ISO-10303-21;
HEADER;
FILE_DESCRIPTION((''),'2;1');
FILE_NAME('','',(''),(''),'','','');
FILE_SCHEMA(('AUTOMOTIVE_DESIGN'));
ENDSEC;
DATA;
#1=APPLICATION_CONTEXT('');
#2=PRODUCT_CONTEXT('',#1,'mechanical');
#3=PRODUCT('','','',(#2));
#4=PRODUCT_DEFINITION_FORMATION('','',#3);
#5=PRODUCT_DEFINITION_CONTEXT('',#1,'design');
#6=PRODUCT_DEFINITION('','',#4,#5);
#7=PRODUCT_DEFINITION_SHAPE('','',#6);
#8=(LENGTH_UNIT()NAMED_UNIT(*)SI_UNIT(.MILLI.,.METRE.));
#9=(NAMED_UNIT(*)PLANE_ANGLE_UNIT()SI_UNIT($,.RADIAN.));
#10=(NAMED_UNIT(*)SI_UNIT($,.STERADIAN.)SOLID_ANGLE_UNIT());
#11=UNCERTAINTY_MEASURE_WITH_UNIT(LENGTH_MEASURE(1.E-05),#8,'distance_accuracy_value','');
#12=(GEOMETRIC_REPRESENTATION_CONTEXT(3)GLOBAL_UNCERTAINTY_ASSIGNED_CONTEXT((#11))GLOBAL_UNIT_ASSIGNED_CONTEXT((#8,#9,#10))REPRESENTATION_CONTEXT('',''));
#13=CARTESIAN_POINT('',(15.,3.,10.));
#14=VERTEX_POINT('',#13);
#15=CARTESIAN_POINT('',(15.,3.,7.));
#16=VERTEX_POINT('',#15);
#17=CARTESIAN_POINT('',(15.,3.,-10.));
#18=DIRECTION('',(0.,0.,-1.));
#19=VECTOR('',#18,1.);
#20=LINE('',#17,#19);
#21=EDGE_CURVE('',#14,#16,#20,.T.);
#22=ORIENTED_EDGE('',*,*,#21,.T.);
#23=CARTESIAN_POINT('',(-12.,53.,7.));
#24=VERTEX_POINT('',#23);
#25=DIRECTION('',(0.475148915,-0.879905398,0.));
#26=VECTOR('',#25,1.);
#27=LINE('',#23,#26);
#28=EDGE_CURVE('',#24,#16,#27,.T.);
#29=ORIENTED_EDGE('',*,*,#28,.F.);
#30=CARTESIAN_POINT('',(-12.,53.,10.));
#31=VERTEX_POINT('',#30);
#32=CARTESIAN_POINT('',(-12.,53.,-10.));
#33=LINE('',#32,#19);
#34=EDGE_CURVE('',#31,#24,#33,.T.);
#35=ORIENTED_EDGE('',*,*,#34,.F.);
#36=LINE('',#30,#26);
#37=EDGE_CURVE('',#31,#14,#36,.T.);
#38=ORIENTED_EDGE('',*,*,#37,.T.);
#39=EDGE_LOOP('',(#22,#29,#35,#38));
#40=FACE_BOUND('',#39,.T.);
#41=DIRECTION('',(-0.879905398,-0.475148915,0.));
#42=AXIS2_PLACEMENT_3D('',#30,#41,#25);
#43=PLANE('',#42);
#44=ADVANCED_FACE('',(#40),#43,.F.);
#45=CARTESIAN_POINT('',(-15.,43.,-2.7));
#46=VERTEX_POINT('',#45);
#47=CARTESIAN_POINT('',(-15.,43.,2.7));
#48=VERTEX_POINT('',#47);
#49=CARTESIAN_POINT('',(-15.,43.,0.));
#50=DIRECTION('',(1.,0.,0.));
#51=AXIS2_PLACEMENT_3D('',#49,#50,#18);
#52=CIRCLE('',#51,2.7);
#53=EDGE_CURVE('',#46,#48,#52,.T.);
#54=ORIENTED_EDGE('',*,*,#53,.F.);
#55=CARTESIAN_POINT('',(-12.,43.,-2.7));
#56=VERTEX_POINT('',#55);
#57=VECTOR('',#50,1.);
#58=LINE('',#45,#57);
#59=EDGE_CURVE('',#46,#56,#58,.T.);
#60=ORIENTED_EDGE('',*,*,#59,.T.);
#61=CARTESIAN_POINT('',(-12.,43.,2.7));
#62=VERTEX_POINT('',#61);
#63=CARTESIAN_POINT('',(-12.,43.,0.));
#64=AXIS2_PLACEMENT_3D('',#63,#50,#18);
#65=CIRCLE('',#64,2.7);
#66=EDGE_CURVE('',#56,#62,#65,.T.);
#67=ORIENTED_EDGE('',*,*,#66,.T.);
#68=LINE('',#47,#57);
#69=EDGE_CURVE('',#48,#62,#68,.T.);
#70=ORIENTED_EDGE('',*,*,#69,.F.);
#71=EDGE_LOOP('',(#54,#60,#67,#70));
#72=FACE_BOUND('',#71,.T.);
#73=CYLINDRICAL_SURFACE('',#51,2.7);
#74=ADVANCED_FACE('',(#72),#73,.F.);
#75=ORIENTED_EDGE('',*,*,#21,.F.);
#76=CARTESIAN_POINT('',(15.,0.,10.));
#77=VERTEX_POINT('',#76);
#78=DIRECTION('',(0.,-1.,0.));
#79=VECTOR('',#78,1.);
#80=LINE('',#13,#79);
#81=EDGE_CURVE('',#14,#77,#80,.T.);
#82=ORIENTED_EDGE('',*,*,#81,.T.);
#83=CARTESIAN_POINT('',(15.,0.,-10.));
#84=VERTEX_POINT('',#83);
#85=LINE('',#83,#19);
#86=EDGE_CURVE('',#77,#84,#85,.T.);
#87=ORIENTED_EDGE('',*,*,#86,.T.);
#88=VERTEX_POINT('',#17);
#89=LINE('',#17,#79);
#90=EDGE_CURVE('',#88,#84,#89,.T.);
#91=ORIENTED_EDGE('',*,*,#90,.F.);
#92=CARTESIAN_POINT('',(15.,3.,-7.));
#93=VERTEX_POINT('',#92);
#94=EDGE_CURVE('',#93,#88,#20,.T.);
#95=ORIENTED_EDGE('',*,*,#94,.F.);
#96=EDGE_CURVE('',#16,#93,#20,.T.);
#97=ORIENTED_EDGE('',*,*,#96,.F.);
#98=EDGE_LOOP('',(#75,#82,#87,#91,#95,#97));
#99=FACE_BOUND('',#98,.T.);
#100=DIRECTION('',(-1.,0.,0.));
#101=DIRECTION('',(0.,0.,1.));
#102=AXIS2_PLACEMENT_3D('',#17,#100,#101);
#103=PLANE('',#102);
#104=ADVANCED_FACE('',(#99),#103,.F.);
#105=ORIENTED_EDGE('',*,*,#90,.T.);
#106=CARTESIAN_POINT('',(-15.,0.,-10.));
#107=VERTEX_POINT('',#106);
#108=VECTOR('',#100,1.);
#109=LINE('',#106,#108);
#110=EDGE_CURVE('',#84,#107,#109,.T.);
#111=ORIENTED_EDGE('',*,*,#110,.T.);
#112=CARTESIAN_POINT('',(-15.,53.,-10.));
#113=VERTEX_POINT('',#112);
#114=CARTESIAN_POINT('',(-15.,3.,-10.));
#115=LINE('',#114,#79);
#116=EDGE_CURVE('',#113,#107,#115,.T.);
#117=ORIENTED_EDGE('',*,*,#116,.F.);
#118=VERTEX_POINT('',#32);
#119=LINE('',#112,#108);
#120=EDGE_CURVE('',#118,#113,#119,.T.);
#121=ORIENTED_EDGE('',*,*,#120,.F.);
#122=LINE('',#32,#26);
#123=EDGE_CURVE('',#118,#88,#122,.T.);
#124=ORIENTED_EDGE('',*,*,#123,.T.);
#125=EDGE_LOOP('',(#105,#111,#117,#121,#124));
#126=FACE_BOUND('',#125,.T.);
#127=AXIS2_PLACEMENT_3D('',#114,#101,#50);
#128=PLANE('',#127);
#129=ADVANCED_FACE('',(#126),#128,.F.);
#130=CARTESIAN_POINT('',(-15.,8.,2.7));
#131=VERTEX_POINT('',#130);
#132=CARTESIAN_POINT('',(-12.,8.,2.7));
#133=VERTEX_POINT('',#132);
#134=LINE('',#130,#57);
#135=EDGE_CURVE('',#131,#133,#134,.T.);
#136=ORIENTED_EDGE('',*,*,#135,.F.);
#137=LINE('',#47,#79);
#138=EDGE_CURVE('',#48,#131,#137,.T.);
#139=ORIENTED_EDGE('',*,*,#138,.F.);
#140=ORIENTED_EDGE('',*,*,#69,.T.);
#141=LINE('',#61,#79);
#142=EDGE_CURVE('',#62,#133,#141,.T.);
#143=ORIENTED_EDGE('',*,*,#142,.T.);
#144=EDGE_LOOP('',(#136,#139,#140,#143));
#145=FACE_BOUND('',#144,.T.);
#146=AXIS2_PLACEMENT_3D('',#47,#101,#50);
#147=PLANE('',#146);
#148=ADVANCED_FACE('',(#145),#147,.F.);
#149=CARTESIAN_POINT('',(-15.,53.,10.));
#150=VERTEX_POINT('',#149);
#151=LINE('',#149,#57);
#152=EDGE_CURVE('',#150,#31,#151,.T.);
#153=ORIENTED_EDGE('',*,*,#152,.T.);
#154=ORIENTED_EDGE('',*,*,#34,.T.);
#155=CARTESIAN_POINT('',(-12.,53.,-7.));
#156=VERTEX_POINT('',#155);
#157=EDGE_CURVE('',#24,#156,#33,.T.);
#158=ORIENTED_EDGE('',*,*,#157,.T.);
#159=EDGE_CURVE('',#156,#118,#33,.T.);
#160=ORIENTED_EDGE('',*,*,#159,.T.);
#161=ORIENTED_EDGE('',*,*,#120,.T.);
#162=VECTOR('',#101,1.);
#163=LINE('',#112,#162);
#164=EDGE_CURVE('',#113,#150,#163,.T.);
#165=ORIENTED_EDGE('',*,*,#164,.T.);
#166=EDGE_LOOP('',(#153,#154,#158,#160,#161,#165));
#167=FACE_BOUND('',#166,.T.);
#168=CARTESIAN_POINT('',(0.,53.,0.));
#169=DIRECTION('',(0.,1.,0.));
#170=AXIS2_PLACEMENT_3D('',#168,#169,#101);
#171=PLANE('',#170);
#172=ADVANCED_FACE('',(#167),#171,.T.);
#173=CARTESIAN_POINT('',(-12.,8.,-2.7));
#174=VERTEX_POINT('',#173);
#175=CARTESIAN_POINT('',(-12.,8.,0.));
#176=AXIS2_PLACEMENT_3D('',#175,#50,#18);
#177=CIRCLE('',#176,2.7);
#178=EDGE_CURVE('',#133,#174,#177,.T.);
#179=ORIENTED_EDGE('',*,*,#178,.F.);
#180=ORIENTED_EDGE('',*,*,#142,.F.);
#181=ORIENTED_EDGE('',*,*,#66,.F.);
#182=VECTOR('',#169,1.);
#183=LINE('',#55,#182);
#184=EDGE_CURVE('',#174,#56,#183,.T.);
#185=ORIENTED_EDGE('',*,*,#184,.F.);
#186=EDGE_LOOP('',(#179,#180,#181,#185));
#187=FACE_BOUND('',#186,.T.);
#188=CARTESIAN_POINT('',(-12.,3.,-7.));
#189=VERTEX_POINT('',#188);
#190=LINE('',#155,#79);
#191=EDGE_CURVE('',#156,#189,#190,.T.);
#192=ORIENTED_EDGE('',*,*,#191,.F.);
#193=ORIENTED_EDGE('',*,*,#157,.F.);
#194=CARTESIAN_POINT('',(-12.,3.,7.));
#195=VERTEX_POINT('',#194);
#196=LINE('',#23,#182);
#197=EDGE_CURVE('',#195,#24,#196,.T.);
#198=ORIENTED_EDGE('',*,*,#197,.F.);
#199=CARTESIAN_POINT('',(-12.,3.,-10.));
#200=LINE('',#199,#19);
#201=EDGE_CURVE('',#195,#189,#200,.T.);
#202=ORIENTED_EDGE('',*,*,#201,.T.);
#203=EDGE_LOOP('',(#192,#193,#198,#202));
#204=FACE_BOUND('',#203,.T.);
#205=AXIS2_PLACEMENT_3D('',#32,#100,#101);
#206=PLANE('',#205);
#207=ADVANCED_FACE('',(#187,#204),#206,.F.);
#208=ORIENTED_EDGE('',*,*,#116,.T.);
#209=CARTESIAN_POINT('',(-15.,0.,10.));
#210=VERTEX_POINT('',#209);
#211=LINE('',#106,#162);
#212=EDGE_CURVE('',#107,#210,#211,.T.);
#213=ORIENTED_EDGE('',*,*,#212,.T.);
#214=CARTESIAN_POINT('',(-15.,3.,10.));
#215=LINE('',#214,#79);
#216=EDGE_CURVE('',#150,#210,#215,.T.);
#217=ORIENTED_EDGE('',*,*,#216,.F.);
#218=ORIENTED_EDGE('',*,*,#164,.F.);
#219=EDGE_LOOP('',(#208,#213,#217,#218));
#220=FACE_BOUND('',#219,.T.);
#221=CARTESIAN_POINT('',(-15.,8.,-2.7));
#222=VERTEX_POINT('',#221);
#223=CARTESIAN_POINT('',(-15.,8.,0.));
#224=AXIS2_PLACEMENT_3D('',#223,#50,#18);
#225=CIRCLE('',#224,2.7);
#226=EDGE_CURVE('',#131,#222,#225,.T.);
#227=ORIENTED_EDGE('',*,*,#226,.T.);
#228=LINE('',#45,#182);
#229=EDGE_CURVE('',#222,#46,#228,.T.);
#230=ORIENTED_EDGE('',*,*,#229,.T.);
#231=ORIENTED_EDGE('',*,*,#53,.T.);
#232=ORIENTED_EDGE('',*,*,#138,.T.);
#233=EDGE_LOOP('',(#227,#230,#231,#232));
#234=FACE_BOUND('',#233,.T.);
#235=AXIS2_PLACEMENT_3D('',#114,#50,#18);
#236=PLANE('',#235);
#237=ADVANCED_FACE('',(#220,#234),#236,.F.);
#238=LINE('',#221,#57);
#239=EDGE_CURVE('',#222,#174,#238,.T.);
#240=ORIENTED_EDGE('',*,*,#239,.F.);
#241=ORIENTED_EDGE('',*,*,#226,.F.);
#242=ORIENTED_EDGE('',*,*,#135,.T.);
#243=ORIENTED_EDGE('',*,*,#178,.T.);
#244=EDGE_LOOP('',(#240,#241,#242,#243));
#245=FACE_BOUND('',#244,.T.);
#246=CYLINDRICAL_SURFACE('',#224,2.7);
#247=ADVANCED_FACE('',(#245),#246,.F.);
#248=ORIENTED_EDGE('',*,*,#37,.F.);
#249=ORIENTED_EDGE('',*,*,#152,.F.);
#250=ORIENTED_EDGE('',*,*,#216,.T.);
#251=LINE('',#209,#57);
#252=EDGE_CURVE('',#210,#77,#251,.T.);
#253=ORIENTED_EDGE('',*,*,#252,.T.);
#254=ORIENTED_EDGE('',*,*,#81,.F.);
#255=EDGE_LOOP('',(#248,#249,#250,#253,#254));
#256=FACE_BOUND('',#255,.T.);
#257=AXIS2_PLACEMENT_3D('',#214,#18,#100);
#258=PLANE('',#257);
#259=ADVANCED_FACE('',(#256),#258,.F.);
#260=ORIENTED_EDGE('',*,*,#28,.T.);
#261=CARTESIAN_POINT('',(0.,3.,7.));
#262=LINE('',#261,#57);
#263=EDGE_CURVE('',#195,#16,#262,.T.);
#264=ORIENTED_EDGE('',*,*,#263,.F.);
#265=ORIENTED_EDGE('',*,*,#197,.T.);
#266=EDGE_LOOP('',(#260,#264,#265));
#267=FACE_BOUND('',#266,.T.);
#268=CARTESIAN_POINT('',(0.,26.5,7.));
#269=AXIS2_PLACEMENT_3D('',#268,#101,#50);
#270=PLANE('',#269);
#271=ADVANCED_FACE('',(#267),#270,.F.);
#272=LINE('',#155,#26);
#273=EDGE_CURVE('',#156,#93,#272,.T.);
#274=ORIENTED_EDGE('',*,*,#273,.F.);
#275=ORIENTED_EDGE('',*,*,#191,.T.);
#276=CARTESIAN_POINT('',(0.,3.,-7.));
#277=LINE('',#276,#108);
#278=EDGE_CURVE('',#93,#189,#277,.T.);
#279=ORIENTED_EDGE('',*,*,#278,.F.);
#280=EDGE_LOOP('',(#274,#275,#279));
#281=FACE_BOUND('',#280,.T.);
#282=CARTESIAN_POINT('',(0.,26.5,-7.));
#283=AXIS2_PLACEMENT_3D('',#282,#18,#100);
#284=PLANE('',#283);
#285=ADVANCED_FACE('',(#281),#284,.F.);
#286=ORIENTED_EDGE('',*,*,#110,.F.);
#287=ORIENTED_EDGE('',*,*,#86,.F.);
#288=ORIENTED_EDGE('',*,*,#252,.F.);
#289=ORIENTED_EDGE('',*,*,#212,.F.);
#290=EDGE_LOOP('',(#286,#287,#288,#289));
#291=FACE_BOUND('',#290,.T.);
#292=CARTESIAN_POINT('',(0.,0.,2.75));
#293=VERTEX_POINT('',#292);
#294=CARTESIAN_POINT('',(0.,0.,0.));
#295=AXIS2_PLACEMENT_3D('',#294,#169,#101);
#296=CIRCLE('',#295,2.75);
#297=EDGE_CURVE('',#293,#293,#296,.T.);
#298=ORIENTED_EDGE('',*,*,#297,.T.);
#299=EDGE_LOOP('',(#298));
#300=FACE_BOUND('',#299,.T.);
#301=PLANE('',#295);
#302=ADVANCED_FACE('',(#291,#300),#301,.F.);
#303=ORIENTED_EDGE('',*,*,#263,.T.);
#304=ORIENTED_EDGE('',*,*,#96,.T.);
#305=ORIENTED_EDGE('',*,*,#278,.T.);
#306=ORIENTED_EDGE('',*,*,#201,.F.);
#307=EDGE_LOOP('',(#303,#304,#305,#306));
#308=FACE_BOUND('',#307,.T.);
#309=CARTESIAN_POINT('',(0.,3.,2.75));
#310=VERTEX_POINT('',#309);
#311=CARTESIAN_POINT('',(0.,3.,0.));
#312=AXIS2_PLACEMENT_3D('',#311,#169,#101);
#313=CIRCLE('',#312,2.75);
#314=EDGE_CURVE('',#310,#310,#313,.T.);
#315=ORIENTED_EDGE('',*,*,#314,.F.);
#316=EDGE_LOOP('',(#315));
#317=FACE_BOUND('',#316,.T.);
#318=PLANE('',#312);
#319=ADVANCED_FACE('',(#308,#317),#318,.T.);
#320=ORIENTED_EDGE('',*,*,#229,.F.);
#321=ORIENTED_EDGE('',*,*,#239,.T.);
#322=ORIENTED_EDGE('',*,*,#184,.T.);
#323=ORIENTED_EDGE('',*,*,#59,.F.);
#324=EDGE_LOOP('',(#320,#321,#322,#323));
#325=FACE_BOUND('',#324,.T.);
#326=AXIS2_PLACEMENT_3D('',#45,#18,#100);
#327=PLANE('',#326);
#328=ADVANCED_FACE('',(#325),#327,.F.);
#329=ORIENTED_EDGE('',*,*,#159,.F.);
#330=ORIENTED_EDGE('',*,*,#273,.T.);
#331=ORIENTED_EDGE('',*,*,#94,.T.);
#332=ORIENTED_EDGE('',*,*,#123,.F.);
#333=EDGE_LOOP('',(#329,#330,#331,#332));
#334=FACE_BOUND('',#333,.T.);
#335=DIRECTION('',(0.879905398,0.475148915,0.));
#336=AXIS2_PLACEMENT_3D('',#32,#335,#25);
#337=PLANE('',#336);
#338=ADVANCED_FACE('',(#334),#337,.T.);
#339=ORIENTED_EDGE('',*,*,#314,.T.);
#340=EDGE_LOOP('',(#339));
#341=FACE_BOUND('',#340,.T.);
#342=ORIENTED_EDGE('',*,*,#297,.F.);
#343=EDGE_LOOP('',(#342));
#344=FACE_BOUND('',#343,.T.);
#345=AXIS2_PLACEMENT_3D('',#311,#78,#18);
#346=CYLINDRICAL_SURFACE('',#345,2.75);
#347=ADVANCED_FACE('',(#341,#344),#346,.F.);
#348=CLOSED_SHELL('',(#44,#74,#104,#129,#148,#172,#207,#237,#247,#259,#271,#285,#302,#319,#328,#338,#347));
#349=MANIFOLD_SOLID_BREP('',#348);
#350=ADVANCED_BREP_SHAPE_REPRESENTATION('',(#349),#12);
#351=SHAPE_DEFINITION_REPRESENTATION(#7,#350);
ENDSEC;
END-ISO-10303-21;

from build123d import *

# Parameters (mm, degrees)
SKETCH1_W           = 30
SKETCH1_H           = 20
SKETCH1_R           = 2.75
BOSS_EXTRUDE1_DEPTH = 3
SKETCH2_W           = 3
SKETCH2_H           = 20
BOSS_EXTRUDE2_DEPTH = 50
RIB1_REACH          = 60.6
SKETCH3_WALL_W      = 176.024973172
SKETCH3_WALL_H      = 3
CUT_EXTRUDE1_DEPTH  = 61.3158354


with BuildPart() as part:
    # Sketch1 → Boss-Extrude1 (new body)
    with BuildSketch(Plane(origin=(0, 0, 0), x_dir=(1, 0, 0), z_dir=(0, 1, 0))):
        Rectangle(SKETCH1_W, SKETCH1_H)
        with Locations(Location((0, 0, 0), (0, 0, 270))):
            Circle(SKETCH1_R, mode=Mode.SUBTRACT)
    extrude(amount=BOSS_EXTRUDE1_DEPTH)

    # Sketch2 → Boss-Extrude2 (add)
    with BuildSketch(Plane(origin=(0, 3, 0), x_dir=(1, 0, 0), z_dir=(0, 1, 0))):
        with Locations((-13.5, 0)):
            Rectangle(SKETCH2_W, SKETCH2_H)
    extrude(amount=BOSS_EXTRUDE2_DEPTH)

    # Sketch3 wall → Rib1 (add, up to next)
    with BuildSketch(Plane(origin=(1.5, 28, 10), x_dir=(0.475148914735, -0.879905397657, 0), z_dir=(0.879905397657, 0.475148914735, 0)), mode=Mode.PRIVATE) as rib1_sk1:
        with Locations((0, 1.5)):
            Rectangle(SKETCH3_WALL_W, SKETCH3_WALL_H)
    rib1_tool1 = extrude(rib1_sk1.sketch, amount=-RIB1_REACH, mode=Mode.PRIVATE) - part.part
    rib1 = rib1_tool1.solids().sort_by_distance((1.5, 28, 10))[0]
    add(rib1)

    # Mirror1: Rib1 across plane
    add(rib1.mirror(Plane.XY))

    # Sketch4 → Cut-Extrude1 (cut, through all)
    with BuildSketch(Plane(origin=(-12, 0, 0), x_dir=(0, 0, -1), z_dir=(1, 0, 0))):
        with BuildLine():
            Line((2.7, 43), (2.7, 8))
            ThreePointArc((2.7, 8), (0, 5.3), (-2.7, 8))
            Line((-2.7, 8), (-2.7, 43))
            ThreePointArc((-2.7, 43), (0, 45.7), (2.7, 43))
        make_face()
    extrude(amount=-CUT_EXTRUDE1_DEPTH, mode=Mode.SUBTRACT)


solid = part.part
